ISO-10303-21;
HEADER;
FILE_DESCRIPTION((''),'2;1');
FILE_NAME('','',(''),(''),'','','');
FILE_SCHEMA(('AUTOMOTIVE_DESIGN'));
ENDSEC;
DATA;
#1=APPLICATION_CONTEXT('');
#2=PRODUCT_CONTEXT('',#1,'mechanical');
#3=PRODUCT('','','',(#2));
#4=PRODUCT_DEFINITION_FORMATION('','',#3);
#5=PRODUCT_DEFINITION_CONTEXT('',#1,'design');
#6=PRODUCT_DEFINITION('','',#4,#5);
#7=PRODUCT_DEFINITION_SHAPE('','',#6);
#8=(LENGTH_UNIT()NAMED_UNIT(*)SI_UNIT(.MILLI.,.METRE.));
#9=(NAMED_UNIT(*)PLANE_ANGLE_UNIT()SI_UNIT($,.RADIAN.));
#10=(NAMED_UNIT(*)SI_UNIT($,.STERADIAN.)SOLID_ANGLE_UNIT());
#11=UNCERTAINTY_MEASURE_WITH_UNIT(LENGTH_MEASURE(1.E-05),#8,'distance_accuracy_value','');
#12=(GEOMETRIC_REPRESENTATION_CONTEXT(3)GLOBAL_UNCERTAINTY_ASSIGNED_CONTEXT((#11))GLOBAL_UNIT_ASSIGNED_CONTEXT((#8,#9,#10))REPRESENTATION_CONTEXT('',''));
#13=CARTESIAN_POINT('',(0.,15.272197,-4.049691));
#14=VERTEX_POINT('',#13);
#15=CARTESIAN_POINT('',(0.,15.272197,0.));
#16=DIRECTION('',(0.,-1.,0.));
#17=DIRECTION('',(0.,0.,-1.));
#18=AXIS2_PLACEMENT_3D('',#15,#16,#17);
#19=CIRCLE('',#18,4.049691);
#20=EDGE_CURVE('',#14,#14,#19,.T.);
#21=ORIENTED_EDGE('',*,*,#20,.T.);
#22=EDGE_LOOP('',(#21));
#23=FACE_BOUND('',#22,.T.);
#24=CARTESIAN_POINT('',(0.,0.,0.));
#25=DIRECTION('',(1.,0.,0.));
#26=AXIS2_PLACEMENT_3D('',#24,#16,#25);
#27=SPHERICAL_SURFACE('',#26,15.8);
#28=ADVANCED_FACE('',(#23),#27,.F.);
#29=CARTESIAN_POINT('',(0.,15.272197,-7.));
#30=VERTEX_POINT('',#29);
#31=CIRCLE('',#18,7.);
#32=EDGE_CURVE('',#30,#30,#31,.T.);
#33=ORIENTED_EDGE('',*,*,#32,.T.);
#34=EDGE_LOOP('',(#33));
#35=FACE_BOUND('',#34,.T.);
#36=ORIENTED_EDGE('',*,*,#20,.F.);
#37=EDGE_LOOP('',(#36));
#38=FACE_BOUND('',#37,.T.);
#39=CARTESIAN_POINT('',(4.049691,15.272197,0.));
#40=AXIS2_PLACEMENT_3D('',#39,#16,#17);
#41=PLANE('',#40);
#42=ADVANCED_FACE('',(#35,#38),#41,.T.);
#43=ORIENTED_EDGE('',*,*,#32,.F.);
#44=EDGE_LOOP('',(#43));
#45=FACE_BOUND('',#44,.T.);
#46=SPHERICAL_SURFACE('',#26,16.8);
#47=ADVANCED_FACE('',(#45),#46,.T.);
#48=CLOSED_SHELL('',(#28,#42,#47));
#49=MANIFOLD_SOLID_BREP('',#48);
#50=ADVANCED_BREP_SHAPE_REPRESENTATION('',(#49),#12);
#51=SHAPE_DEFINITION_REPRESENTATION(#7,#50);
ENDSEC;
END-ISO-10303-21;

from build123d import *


with BuildPart() as part:
    # 草图1 → 旋转1 (revolve)
    with BuildSketch(Plane.XY):
        with BuildLine():
            Line((4.049691346, 15.27219696), (7, 15.27219696))
            ThreePointArc((7, 15.27219696), (3.582393827, 16.413605773), (0, 16.8))
            Line((0, 16.8), (0, 15.8))
            ThreePointArc((0, 15.8), (2.04197062, 15.667493609), (4.049691346, 15.27219696))
        make_face()
    revolve(axis=Axis((0, 0, 0), (0, 1, 0)))


solid = part.part
